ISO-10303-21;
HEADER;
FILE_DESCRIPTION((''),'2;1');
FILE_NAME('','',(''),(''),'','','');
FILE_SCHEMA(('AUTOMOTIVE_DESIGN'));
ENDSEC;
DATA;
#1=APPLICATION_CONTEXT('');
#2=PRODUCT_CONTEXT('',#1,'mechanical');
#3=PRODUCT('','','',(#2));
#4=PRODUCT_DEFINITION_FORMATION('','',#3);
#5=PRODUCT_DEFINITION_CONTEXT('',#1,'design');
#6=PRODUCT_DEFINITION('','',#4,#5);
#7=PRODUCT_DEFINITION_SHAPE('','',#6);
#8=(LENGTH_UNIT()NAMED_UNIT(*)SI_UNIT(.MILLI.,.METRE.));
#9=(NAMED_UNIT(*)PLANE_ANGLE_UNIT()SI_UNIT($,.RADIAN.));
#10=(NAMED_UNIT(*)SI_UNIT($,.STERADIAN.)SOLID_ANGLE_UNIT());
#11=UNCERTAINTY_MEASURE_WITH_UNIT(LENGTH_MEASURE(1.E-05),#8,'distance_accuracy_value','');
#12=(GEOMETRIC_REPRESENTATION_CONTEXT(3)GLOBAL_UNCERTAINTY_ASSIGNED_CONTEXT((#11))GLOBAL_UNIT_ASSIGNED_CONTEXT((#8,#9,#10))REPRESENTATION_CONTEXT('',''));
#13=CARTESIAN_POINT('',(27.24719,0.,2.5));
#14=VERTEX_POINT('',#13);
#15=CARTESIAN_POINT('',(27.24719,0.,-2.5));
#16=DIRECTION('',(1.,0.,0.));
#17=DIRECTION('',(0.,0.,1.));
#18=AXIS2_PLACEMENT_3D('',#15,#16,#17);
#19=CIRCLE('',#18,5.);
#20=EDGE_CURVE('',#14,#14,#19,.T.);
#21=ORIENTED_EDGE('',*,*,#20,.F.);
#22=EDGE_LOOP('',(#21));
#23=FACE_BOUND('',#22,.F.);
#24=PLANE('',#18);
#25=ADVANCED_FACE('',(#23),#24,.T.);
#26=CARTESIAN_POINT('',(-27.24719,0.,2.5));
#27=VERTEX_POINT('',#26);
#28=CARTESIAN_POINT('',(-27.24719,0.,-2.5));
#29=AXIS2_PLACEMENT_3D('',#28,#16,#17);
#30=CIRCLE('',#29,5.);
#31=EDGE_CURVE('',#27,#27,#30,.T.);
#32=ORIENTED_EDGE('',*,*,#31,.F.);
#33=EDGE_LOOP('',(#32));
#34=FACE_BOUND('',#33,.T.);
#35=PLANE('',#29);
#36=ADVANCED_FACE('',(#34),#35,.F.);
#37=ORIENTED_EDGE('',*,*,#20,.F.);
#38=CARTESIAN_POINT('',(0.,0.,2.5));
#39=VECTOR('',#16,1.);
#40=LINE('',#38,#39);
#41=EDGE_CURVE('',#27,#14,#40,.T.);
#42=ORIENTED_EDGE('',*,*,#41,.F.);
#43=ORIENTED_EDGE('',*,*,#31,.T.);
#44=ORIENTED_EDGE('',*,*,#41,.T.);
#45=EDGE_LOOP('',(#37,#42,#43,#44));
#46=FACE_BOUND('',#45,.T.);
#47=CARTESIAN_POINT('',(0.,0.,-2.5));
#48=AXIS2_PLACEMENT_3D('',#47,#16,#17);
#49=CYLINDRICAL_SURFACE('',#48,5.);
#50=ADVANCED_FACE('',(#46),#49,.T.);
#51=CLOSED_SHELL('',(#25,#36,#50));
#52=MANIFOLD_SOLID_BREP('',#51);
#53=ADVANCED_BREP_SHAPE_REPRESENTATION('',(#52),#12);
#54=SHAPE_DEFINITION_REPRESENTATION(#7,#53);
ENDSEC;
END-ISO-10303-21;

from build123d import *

# Parameters (mm, degrees)
F0_W = 54.49438
F0_H = 5


with BuildPart() as f1:
    # F0 (on Front) → F1 (revolve)
    with BuildSketch(Plane.XZ):
        Rectangle(F0_W, F0_H)
    revolve(axis=Axis((0, 0, -2.5), (1, 0, 0)))


solid = f1.part
